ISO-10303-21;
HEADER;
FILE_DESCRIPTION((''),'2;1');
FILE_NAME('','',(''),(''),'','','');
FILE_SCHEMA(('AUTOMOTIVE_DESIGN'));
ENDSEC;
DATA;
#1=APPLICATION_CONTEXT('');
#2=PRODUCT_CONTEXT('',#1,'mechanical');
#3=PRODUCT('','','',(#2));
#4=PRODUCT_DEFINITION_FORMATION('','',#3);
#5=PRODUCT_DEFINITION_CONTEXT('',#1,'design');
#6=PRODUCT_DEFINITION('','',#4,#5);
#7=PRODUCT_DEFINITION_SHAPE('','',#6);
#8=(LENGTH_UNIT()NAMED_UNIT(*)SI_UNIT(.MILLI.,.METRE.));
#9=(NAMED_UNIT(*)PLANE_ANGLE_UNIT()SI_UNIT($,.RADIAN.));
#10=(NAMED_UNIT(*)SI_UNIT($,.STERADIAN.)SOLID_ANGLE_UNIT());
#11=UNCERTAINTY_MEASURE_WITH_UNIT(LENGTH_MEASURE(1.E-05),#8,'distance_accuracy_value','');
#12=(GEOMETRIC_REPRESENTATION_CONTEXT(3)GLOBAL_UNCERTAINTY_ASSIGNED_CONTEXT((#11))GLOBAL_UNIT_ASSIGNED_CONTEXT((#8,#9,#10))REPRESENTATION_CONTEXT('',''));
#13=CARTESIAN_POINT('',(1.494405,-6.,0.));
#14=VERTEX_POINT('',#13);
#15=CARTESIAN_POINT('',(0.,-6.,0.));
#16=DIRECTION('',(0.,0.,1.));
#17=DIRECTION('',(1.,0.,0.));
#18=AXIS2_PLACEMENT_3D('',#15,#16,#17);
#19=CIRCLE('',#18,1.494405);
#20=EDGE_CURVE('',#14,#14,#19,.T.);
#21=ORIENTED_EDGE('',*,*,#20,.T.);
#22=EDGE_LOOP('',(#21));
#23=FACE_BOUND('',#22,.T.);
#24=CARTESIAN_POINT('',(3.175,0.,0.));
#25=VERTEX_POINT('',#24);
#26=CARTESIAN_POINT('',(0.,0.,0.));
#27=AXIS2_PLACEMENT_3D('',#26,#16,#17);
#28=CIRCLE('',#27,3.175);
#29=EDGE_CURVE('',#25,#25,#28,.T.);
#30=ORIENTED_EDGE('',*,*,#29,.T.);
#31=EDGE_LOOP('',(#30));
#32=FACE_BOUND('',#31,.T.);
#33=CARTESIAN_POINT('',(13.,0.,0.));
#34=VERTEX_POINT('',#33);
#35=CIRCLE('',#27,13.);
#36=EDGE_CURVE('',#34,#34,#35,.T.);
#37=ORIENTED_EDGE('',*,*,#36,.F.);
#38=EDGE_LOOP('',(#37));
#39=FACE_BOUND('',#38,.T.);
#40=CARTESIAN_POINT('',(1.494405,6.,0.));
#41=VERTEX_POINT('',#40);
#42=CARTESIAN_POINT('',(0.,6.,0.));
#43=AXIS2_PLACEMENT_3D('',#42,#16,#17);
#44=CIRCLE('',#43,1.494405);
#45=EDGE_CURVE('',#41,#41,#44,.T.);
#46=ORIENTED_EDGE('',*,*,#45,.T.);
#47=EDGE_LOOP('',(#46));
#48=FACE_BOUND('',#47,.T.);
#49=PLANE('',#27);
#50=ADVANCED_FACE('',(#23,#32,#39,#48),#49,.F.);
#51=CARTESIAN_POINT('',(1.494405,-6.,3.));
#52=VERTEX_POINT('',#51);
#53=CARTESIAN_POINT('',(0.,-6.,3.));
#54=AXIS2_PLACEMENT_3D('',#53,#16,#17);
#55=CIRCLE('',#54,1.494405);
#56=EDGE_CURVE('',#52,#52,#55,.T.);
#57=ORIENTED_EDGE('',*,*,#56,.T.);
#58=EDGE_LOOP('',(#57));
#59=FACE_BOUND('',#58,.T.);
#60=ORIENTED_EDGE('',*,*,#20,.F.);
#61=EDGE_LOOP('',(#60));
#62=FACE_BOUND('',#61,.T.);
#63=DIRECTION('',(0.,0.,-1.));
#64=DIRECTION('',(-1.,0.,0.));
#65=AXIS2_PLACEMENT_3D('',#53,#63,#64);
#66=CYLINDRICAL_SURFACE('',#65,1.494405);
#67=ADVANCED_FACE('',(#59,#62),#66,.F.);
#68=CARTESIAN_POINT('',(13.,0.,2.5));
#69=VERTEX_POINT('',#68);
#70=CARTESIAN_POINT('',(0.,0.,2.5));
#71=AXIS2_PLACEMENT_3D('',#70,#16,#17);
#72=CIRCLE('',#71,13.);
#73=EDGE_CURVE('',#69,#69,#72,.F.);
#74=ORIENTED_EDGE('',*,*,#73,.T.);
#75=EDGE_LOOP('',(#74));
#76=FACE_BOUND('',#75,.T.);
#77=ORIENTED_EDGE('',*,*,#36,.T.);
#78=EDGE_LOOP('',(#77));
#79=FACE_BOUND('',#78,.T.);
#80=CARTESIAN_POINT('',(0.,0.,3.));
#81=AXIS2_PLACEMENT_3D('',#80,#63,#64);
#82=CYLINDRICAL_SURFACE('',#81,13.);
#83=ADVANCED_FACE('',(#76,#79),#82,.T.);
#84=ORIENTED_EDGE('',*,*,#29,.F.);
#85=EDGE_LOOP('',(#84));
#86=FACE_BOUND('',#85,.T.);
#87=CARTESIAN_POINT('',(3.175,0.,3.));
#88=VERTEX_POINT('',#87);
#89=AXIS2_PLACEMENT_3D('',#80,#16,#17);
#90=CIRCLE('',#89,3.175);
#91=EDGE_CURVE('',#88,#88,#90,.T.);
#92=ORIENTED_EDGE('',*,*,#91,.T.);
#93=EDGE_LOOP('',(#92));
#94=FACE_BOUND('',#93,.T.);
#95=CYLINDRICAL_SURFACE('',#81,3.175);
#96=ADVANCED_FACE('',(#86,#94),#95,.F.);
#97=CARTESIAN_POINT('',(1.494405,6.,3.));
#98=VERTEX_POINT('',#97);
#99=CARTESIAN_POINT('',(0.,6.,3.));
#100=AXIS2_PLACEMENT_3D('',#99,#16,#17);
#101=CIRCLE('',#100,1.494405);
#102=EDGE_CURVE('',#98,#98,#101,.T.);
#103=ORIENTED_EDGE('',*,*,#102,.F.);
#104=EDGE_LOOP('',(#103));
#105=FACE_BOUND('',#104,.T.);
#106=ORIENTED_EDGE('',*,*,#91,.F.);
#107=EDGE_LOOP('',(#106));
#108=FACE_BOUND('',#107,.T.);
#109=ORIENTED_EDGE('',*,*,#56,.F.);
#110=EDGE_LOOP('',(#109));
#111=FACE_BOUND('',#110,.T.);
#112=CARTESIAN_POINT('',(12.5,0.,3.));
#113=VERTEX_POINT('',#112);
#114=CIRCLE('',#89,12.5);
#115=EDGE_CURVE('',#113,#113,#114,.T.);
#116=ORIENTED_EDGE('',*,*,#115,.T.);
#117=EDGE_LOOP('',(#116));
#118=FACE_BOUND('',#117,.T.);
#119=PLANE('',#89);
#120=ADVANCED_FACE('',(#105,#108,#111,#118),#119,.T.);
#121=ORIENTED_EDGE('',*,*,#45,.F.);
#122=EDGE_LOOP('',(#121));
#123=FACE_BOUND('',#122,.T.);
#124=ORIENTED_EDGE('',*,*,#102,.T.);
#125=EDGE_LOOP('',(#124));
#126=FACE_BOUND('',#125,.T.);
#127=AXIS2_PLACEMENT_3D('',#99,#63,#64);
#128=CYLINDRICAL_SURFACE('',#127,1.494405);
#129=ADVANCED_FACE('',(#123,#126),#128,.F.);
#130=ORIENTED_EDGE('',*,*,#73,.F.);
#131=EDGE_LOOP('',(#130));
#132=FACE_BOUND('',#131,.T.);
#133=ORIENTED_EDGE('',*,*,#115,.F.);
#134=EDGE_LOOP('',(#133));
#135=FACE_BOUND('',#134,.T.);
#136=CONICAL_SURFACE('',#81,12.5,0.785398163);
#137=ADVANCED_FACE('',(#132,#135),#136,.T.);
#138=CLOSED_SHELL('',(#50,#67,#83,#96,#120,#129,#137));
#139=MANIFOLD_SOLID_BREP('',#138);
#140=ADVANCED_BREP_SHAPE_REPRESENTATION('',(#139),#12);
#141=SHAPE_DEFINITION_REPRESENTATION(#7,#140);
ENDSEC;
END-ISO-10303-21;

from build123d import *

# Parameters (mm, degrees)
SKETCH_1_R      = 13
SKETCH_1_R_2    = 3.175
SKETCH_1_R_3    = 1.494405319
EXTRUDE_1_DEPTH = 3
CHAMFER_1_SIZE  = 0.5


with BuildPart() as part:
    # Эскиз1 → Вытянуть1 (new body)
    with BuildSketch(Plane.XY):
        Circle(SKETCH_1_R)
        Circle(SKETCH_1_R_2, mode=Mode.SUBTRACT)
        with Locations((0, 6)):
            Circle(SKETCH_1_R_3, mode=Mode.SUBTRACT)
        with Locations((0, -6)):
            Circle(SKETCH_1_R_3, mode=Mode.SUBTRACT)
    extrude(amount=EXTRUDE_1_DEPTH)

    # Фаска1
    chamfer_1_edges = [part.edges().sort_by_distance(p)[0] for p in [
        (-13, 0, 3),
    ]]
    chamfer(chamfer_1_edges, length=CHAMFER_1_SIZE)


solid = part.part
